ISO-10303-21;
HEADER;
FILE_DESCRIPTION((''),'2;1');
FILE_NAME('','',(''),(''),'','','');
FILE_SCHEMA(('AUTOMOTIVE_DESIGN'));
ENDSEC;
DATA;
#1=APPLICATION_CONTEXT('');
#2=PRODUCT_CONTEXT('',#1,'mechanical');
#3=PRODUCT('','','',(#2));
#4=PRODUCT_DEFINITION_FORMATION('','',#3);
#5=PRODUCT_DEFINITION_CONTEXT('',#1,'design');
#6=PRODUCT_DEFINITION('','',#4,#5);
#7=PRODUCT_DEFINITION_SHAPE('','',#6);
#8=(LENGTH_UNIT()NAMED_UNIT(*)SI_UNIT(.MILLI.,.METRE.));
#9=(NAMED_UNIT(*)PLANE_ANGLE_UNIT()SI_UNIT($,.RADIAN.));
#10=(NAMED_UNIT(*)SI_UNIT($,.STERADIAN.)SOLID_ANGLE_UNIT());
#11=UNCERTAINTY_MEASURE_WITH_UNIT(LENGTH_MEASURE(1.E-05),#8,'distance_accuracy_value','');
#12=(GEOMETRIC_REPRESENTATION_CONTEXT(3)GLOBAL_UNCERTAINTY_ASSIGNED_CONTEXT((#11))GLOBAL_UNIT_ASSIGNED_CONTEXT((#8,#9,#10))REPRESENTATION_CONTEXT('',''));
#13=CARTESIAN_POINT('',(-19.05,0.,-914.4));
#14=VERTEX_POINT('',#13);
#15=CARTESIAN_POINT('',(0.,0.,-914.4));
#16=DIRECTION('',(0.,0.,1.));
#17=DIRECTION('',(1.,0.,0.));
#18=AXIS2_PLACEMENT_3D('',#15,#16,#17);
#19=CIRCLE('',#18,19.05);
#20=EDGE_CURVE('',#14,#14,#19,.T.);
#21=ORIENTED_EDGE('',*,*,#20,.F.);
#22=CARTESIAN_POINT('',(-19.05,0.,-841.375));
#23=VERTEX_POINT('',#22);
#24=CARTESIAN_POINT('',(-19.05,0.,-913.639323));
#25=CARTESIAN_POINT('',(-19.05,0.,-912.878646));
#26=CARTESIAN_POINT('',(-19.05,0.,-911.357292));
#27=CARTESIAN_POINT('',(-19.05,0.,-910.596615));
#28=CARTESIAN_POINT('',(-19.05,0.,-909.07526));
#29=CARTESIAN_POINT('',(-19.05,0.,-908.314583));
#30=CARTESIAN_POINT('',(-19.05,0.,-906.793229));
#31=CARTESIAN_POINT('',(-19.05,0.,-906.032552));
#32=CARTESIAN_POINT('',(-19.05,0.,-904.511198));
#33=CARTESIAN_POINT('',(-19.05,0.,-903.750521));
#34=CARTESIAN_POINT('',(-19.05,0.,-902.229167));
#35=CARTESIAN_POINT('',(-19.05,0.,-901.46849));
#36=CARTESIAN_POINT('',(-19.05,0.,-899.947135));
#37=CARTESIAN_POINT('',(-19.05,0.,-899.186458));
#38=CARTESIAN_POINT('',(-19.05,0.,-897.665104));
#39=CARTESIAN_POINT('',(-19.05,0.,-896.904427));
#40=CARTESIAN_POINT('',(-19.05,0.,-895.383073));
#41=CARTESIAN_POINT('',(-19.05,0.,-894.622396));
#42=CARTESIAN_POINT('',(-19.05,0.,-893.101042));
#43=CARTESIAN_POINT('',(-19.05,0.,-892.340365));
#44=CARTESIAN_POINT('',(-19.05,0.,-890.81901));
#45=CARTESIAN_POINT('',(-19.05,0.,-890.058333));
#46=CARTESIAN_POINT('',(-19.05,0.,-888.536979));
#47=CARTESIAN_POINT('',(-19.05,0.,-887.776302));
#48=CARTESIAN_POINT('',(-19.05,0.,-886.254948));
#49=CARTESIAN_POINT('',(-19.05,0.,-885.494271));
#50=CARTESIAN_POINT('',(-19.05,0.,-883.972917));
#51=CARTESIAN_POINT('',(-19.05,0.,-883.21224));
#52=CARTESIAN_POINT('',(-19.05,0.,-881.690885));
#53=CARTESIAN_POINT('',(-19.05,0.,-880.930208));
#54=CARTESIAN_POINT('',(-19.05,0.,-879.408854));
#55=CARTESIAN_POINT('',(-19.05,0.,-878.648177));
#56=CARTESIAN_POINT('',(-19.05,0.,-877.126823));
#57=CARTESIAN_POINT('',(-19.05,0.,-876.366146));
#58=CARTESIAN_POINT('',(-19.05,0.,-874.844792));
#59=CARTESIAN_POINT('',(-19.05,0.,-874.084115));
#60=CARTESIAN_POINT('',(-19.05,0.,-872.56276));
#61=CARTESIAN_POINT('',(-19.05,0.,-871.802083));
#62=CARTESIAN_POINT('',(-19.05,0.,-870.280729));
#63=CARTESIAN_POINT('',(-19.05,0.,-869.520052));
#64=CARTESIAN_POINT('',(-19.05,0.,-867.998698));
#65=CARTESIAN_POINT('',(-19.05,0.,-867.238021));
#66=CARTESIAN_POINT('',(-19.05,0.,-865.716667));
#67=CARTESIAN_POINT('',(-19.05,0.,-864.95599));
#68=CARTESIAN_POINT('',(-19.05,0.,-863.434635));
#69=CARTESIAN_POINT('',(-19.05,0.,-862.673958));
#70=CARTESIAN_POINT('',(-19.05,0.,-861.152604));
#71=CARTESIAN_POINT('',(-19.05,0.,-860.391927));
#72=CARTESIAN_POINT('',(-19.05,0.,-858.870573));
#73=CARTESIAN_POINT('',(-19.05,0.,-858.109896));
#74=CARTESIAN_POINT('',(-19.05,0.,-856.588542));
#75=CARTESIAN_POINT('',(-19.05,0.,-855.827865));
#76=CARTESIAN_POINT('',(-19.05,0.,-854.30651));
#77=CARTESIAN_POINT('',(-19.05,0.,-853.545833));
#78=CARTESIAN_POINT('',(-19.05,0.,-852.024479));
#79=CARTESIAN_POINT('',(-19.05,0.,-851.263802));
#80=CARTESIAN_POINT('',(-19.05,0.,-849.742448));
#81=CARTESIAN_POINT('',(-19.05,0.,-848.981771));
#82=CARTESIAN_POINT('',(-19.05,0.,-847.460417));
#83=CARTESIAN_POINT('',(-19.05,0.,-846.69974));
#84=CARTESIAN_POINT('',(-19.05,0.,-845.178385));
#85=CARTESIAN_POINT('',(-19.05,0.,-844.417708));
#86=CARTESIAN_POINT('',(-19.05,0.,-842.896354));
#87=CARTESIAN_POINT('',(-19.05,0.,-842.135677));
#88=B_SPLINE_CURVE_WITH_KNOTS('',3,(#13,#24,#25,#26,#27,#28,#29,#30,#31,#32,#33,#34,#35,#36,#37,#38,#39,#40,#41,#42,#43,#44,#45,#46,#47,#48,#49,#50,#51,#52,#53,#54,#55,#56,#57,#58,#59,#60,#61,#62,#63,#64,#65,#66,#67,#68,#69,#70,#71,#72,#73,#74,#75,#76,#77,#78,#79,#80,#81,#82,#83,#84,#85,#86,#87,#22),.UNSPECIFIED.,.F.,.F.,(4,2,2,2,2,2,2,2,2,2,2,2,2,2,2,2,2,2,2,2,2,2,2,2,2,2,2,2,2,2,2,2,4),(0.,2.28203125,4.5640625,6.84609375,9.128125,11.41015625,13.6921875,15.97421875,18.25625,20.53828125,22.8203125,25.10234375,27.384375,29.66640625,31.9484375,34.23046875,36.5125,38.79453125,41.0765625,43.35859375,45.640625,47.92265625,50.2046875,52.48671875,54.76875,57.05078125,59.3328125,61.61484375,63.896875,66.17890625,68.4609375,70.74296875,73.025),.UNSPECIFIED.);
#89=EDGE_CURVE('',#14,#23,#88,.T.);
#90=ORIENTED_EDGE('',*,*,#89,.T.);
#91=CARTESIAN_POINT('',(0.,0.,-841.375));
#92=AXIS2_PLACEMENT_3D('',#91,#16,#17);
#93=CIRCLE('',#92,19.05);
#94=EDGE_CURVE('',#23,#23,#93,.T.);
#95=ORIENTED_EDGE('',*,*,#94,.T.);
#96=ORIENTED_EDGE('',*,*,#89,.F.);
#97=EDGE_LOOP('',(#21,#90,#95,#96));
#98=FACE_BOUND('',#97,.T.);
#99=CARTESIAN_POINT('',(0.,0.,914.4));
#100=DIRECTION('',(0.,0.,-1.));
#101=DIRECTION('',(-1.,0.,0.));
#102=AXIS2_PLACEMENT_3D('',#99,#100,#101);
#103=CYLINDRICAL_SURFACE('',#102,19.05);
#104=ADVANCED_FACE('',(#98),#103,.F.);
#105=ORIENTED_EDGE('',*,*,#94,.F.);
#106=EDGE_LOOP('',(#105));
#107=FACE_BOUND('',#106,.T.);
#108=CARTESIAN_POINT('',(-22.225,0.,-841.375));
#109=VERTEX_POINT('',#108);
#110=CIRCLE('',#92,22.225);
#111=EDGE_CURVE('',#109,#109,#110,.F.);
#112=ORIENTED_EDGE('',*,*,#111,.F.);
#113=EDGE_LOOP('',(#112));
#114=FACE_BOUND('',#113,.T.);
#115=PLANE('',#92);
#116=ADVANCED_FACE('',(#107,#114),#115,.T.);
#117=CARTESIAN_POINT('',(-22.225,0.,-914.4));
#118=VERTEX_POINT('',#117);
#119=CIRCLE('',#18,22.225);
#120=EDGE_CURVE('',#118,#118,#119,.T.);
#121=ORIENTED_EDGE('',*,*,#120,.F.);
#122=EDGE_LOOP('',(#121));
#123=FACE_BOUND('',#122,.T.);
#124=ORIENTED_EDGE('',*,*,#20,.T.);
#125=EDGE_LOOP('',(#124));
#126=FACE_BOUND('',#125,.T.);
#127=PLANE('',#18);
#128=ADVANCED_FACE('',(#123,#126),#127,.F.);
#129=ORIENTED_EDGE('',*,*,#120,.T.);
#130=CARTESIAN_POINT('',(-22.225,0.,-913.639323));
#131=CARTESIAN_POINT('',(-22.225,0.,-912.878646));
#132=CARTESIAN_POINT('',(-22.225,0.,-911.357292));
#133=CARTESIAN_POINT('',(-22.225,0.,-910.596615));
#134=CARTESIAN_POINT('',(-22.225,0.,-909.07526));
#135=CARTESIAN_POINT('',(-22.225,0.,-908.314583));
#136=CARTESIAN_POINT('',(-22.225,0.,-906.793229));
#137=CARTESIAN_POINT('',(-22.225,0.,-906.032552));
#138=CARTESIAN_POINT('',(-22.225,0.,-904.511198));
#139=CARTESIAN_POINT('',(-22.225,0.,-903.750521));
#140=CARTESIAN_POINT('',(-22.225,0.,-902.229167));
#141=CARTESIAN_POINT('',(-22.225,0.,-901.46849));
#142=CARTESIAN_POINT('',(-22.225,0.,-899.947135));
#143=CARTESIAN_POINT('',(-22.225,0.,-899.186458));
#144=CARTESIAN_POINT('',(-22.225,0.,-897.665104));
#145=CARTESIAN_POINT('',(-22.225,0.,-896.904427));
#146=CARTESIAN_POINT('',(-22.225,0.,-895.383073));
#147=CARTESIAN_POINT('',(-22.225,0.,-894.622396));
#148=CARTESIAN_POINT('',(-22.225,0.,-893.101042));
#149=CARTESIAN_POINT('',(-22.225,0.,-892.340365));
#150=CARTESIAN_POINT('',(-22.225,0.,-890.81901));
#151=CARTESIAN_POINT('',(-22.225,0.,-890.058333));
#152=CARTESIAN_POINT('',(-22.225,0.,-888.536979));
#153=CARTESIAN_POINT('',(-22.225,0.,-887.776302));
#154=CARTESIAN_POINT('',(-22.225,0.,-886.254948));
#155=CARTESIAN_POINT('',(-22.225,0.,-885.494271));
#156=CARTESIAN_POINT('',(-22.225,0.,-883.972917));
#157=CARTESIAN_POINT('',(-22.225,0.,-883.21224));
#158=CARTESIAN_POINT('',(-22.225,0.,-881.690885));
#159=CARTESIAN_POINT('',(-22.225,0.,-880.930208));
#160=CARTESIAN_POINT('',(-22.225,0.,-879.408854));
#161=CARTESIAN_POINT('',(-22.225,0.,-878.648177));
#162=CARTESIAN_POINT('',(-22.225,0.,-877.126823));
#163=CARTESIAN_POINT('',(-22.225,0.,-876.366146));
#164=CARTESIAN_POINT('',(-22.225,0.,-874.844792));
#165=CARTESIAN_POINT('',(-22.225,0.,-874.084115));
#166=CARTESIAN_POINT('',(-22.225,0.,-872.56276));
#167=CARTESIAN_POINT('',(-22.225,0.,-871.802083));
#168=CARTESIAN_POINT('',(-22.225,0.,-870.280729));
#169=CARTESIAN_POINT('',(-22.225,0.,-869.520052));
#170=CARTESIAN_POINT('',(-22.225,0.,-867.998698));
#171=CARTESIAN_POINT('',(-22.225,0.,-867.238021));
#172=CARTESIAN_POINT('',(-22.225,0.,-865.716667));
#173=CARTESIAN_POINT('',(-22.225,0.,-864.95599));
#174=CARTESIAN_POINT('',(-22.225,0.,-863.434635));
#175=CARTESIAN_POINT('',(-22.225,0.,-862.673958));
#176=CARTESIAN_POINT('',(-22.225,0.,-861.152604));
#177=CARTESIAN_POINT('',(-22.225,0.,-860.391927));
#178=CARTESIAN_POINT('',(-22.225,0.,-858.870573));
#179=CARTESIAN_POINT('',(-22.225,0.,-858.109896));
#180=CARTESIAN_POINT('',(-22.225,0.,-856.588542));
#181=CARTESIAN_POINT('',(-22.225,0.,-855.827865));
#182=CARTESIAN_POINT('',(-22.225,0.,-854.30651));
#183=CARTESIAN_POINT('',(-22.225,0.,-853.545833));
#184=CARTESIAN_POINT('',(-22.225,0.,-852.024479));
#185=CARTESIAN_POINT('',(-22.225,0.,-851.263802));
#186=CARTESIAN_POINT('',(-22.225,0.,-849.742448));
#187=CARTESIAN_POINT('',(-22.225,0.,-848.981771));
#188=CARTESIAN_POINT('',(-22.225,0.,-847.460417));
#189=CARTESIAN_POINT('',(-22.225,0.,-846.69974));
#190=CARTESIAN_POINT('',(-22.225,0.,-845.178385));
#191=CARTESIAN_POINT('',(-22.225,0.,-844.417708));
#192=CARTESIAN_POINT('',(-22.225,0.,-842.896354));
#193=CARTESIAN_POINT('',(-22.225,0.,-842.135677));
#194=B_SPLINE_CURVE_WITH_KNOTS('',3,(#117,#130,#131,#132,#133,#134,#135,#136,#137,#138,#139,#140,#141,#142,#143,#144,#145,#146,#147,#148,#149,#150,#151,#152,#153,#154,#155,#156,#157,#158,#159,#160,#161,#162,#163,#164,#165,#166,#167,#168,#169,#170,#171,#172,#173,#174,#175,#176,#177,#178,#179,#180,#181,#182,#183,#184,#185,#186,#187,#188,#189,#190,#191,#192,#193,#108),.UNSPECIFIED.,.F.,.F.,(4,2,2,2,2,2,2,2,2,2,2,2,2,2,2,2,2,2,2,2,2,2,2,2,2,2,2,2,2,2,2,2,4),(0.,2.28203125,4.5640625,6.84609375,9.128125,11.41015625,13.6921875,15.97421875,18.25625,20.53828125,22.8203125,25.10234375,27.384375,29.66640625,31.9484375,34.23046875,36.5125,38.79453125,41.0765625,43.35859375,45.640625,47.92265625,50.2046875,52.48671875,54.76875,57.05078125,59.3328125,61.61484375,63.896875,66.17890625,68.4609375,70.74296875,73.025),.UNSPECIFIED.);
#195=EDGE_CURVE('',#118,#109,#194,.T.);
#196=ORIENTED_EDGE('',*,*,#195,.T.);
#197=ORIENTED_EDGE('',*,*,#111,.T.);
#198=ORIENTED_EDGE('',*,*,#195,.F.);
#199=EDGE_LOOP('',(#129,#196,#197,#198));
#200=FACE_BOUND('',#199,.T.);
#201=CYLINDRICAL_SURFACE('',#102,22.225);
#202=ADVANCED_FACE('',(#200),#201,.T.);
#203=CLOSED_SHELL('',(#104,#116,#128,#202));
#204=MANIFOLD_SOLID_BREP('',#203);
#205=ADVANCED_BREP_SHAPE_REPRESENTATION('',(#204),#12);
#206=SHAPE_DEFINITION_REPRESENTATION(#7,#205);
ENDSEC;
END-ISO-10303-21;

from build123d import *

# Parameters (mm, degrees)
BOSS_EXTRUDE1_DEPTH      = 914.4
BOSS_EXTRUDE1_DEPTH_BACK = 914.4
SKETCH1_R                = 22.225
SKETCH1_R_2              = 19.05
SKETCH3_R                = 22.225
CUT_EXTRUDE1_DEPTH       = 1755.775


with BuildPart() as part:
    # Sketch1 → Boss-Extrude1 (new, two sides: drawn at the far end of the back side and taken through both)
    with BuildSketch(Plane.XY.offset(-BOSS_EXTRUDE1_DEPTH_BACK)):
        with Locations(Location((0, 0, 0), (0, 0, 180))):
            Circle(SKETCH1_R)
        with Locations(Location((0, 0, 0), (0, 0, 180))):
            Circle(SKETCH1_R_2, mode=Mode.SUBTRACT)
    extrude(amount=BOSS_EXTRUDE1_DEPTH + BOSS_EXTRUDE1_DEPTH_BACK)

    # Sketch3 → Cut-Extrude1 (cut)
    with BuildSketch(Plane.XY.offset(914.4)):
        with Locations(Location((0, 0, 0), (0, 0, 180))):
            Circle(SKETCH3_R)
    extrude(amount=-CUT_EXTRUDE1_DEPTH, mode=Mode.SUBTRACT)


solid = part.part
